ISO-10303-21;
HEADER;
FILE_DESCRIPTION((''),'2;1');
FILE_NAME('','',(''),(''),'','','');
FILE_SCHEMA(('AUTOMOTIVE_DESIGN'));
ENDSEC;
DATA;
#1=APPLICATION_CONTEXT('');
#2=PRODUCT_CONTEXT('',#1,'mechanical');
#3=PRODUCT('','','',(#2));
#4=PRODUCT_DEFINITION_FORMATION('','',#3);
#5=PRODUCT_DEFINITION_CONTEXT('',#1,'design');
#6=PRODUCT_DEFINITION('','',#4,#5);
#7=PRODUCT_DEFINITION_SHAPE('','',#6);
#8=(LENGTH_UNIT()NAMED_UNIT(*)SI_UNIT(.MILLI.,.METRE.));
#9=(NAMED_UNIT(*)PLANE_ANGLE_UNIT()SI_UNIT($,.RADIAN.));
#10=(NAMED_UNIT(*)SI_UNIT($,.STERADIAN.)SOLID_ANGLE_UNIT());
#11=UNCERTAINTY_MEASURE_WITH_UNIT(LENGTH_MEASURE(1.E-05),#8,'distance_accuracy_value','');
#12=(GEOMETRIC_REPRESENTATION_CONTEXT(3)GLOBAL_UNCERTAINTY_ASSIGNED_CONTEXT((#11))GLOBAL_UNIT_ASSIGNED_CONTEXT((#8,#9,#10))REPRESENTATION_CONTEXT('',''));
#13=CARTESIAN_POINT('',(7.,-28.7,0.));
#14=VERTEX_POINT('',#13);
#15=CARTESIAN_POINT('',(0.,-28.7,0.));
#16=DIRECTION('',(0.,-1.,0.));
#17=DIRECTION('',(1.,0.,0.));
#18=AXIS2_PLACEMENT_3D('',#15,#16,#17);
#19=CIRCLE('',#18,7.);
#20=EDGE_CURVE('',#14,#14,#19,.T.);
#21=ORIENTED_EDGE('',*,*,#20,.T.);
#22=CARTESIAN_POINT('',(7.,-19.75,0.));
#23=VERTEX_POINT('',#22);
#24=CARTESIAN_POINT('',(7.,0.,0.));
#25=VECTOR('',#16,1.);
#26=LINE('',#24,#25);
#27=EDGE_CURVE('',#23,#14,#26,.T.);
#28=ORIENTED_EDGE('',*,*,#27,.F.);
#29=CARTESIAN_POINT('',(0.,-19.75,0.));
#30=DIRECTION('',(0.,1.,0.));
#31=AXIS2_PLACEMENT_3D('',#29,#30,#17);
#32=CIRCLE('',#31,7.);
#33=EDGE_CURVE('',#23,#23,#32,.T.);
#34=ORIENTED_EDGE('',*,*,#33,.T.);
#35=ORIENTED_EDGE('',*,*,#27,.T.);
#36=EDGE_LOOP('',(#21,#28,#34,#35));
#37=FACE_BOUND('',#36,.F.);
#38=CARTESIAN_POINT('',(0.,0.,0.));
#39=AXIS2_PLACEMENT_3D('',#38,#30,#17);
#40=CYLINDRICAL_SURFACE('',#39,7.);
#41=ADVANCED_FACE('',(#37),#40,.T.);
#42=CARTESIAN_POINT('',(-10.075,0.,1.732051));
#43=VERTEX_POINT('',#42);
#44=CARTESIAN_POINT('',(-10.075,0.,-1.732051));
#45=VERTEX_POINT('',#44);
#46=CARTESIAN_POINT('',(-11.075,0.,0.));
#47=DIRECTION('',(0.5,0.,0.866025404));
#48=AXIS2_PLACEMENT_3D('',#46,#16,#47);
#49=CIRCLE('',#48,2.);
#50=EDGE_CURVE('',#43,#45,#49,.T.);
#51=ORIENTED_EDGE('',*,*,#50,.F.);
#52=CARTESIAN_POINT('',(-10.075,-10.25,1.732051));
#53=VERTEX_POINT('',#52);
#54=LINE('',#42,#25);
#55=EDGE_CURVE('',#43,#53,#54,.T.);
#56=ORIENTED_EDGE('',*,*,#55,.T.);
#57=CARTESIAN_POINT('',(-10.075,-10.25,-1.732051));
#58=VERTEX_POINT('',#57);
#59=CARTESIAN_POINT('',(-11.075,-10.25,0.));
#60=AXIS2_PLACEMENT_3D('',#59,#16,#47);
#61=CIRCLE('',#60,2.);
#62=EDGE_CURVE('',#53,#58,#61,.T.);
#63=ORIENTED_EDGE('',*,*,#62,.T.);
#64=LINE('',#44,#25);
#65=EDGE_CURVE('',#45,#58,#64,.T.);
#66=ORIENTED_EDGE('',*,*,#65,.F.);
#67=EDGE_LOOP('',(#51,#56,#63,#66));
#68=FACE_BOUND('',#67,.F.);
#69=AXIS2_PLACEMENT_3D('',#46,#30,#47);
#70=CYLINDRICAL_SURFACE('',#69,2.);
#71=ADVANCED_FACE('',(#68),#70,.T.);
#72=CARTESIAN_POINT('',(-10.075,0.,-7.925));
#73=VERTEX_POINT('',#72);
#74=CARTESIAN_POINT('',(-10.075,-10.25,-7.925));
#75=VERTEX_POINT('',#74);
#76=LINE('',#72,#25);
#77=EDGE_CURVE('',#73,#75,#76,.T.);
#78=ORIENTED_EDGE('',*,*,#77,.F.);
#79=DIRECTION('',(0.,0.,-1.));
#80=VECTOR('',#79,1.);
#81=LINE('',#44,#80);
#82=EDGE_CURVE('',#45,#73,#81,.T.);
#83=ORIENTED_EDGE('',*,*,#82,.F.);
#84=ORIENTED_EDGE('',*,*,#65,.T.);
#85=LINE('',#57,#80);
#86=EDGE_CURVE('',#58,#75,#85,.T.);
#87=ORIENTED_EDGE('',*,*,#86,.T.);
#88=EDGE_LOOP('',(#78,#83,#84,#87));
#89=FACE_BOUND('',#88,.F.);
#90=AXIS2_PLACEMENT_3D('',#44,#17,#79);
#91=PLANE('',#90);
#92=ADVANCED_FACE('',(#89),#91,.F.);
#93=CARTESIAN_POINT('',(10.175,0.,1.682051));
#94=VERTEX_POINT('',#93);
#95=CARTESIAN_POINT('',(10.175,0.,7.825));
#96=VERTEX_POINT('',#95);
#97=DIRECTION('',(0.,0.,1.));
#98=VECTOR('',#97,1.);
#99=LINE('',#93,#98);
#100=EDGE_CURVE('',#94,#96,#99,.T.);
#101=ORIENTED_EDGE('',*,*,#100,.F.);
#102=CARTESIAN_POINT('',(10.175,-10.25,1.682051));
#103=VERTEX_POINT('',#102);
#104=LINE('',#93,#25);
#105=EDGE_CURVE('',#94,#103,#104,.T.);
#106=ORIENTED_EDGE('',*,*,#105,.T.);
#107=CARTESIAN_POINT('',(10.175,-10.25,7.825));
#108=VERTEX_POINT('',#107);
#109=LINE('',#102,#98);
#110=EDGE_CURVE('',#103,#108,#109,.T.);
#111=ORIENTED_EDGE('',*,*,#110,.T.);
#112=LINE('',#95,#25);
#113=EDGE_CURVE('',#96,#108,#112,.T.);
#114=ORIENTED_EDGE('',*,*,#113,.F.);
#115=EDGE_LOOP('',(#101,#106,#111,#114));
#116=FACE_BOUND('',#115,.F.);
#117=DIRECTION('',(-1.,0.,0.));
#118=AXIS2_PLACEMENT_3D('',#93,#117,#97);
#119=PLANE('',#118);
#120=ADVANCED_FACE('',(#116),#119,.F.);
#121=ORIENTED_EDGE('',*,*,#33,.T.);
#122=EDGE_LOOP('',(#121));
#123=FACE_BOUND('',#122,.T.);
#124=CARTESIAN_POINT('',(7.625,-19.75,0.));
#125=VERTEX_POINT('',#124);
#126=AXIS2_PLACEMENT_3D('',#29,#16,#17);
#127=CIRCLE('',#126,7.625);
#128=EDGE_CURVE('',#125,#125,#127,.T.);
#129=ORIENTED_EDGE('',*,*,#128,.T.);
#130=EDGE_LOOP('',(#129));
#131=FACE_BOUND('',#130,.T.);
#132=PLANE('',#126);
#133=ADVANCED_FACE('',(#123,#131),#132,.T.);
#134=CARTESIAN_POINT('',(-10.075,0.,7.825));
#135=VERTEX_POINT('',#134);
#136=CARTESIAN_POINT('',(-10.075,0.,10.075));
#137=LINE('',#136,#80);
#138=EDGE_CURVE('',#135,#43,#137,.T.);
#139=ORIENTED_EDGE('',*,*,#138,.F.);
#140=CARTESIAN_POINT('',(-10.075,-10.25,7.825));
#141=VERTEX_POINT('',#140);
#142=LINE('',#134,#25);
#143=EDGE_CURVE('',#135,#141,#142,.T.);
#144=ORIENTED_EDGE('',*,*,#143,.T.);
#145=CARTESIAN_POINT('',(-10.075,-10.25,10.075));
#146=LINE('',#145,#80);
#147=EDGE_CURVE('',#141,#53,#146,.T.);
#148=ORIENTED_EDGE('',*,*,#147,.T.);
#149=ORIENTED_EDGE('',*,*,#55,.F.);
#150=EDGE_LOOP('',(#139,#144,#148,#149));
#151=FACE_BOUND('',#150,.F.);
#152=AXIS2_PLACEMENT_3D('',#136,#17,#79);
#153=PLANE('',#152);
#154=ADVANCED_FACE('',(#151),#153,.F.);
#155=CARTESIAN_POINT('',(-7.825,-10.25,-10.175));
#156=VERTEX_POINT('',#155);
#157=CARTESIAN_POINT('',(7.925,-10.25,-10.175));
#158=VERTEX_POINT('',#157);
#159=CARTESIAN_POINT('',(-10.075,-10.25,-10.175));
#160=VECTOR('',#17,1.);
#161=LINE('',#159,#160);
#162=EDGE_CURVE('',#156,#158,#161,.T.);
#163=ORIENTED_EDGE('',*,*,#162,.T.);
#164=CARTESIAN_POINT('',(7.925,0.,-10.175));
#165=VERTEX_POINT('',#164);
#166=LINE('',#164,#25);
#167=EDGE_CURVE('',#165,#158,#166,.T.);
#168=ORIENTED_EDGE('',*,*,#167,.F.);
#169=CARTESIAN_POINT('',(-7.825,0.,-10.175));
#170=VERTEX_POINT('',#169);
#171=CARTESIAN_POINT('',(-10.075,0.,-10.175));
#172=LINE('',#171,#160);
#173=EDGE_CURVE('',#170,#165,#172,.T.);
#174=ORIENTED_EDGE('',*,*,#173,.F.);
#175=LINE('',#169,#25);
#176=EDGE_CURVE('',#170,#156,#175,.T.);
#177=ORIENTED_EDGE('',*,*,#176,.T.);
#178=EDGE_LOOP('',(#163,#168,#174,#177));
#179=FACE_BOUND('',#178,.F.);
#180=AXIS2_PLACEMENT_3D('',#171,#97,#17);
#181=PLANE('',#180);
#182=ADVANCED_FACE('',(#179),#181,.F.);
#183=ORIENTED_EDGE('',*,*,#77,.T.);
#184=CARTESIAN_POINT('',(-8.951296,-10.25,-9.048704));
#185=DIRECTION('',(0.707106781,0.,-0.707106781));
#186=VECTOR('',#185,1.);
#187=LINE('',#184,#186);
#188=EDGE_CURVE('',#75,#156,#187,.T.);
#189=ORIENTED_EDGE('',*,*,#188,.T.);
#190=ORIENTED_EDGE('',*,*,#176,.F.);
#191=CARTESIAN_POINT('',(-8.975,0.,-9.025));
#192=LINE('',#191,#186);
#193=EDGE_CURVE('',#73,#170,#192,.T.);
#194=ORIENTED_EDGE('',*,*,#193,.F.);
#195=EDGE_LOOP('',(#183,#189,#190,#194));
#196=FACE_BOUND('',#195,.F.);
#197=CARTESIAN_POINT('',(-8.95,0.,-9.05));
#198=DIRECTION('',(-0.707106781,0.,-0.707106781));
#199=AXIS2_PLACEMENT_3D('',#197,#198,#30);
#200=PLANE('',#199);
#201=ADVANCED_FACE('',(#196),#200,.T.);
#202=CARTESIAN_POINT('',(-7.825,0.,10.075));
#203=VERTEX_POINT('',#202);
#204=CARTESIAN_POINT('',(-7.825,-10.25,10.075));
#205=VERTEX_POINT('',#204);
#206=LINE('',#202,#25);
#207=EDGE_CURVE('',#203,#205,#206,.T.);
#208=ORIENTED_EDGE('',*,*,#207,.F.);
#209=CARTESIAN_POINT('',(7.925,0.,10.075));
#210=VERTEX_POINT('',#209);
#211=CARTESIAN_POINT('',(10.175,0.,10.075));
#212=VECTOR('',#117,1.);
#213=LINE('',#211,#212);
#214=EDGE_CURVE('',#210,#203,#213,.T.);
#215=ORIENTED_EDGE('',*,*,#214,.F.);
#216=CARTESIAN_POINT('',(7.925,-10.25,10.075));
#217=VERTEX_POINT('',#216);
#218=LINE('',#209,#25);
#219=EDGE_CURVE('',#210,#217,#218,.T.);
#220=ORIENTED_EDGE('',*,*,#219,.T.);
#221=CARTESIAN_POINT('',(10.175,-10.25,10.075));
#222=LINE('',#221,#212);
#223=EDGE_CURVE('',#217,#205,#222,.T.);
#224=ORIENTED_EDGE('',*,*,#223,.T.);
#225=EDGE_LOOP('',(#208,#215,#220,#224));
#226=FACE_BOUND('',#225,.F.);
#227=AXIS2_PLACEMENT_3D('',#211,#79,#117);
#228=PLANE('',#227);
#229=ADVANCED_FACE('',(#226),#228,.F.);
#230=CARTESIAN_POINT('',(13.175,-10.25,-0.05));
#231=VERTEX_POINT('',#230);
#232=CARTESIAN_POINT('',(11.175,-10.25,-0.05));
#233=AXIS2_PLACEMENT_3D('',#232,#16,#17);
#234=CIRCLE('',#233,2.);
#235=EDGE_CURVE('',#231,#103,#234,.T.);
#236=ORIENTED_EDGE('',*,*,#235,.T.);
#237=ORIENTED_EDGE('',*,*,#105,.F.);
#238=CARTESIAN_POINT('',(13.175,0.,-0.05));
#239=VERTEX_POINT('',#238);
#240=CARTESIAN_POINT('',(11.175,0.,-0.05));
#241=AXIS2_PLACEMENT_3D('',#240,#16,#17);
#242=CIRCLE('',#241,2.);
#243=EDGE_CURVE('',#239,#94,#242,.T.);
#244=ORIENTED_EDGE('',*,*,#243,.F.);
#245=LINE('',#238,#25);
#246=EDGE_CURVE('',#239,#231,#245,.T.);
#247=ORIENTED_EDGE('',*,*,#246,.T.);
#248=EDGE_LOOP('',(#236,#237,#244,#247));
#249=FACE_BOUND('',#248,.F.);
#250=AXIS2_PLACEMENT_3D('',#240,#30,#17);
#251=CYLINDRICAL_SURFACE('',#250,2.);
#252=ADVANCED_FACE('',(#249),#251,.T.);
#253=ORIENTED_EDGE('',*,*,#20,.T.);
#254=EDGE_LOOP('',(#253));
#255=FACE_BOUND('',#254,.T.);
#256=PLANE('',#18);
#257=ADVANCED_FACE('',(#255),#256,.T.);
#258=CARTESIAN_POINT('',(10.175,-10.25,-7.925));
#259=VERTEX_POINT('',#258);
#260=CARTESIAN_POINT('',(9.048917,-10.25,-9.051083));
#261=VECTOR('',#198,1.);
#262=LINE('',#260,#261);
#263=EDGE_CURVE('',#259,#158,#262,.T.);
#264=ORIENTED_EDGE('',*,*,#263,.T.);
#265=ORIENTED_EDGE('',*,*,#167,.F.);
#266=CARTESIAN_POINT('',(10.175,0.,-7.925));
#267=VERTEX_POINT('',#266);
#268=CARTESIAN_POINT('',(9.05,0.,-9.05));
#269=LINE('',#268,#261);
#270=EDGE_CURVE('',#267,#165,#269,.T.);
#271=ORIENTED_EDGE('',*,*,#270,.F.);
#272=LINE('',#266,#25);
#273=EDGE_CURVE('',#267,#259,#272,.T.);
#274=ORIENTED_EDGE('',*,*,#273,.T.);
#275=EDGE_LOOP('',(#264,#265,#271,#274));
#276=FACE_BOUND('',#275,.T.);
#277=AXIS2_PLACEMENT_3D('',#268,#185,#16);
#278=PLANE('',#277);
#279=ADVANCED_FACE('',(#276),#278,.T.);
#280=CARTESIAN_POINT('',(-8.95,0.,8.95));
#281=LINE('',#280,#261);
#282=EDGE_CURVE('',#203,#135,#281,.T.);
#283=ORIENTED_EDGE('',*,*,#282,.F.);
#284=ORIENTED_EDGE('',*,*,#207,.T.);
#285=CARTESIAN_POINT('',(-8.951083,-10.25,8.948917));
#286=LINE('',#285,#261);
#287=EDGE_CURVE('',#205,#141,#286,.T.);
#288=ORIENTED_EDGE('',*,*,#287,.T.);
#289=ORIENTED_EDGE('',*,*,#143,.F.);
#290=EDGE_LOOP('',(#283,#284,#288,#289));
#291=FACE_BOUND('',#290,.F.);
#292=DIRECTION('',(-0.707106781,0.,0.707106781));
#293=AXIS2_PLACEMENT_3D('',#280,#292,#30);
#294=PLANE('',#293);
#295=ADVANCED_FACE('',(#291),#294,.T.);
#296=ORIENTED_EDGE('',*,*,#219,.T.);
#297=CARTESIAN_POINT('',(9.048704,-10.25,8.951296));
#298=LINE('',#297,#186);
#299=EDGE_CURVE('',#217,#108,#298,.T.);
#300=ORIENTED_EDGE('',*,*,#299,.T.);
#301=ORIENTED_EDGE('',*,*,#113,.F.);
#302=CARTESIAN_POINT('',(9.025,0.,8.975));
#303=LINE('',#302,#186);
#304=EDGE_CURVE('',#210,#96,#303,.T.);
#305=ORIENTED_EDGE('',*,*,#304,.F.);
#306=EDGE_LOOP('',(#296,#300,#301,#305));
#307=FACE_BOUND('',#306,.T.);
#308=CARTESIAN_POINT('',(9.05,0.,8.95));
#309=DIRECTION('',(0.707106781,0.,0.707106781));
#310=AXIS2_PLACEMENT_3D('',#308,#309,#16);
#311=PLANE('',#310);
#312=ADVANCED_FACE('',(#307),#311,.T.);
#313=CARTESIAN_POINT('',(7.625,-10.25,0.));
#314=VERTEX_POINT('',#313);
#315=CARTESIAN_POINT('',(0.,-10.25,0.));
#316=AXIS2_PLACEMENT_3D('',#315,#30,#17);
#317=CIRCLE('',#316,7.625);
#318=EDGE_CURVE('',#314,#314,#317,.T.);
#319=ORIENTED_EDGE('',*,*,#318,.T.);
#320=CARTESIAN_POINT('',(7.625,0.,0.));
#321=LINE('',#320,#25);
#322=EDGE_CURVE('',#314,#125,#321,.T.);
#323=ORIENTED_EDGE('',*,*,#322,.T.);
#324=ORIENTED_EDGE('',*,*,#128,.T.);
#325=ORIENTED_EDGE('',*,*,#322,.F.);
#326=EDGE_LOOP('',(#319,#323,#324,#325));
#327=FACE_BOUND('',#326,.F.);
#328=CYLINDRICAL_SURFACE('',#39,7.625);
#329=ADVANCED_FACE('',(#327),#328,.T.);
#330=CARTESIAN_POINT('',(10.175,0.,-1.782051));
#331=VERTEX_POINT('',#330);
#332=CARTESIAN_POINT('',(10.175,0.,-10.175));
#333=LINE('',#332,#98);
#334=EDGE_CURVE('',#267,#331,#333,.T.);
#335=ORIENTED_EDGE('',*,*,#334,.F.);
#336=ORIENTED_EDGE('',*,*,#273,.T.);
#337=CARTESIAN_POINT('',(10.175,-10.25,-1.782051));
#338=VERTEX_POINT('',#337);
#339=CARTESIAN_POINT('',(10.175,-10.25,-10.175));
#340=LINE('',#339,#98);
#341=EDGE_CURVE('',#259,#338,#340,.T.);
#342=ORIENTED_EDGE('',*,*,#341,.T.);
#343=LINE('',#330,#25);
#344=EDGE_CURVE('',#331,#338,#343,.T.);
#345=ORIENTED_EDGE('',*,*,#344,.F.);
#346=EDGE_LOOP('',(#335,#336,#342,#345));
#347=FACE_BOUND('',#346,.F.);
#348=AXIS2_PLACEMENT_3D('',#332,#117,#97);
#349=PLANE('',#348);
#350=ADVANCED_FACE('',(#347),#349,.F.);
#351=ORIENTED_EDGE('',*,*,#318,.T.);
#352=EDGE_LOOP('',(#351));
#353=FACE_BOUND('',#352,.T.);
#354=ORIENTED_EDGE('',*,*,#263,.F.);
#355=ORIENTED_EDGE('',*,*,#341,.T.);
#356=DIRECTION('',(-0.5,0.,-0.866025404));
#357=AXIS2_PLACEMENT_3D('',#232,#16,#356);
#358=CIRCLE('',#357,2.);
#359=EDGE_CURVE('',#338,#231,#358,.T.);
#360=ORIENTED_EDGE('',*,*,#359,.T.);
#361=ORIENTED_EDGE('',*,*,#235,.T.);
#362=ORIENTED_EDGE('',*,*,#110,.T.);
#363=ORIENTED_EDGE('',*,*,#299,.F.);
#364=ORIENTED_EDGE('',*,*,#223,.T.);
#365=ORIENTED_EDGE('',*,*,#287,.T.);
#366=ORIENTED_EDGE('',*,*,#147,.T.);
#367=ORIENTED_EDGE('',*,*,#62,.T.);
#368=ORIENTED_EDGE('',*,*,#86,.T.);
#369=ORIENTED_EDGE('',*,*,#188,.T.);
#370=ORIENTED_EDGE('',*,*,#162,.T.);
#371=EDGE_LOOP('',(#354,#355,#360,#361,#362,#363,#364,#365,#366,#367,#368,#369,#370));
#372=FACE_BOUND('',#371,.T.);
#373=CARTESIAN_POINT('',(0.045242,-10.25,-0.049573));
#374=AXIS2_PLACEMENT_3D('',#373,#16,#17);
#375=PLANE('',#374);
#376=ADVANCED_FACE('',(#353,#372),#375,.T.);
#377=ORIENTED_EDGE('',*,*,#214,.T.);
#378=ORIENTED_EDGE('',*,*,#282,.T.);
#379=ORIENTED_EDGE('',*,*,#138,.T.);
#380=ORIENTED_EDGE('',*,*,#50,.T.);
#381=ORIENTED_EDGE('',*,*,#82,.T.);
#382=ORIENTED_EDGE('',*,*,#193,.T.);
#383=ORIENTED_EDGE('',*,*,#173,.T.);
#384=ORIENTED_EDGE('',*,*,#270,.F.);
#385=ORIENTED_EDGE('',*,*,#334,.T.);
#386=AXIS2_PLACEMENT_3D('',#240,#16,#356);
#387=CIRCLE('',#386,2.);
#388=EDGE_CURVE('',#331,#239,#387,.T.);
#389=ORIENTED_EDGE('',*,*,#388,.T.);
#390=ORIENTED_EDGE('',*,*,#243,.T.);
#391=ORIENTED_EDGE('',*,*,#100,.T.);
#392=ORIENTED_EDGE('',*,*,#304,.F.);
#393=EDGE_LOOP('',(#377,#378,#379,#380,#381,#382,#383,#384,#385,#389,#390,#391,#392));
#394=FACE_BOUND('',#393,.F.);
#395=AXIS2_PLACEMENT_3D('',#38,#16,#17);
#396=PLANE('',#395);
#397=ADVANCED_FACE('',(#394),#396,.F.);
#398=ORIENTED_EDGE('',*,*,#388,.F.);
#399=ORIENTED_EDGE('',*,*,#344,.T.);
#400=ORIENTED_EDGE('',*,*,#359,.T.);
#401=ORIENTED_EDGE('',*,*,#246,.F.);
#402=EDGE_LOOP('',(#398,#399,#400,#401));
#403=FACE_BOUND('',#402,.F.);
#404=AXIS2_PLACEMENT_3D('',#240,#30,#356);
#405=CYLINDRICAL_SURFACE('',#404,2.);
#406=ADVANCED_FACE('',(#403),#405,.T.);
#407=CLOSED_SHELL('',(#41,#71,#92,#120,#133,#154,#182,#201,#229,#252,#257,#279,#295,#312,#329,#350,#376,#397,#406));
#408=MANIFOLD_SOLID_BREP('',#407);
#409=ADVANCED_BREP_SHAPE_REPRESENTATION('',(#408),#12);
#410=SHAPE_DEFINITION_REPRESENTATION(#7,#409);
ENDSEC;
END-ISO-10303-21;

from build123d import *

# Parameters (mm, degrees)
F0_R     = 7.625
F0_R_2   = 7
F1_DEPTH = 10.25
F2_DEPTH = 19.75
F3_DEPTH = 28.7
F4_SIZE  = 2.25


with BuildPart() as f1:
    # F0 (on Front) → F1 (new body)
    with BuildSketch(Plane.XZ):
        with BuildLine():
            Line((10.175, 10.075), (-10.075, 10.075))
            Line((-10.075, 10.075), (-10.075, 1.7320508076))
            ThreePointArc((-10.075, 1.7320508076), (-9.3429491924, 1), (-9.075, 0))
            ThreePointArc((-9.075, 0), (-9.3429491924, -1), (-10.075, -1.7320508076))
            Line((-10.075, -1.7320508076), (-10.075, -10.175))
            Line((-10.075, -10.175), (10.175, -10.175))
            Line((10.175, -10.175), (10.175, -1.7820508076))
            ThreePointArc((10.175, -1.7820508076), (9.175, -0.05), (10.175, 1.6820508076))
            Line((10.175, 1.6820508076), (10.175, 10.075))
        make_face()
        Circle(F0_R, mode=Mode.SUBTRACT)
        with BuildLine():
            Line((-10.075, -1.7320508076), (-10.075, 1.7320508076))
            ThreePointArc((-10.075, 1.7320508076), (-13.075, 0), (-10.075, -1.7320508076))
        make_face()
        with BuildLine():
            ThreePointArc((13.175, -0.05), (12.175, 1.6820508076), (10.175, 1.6820508076))
            Line((10.175, 1.6820508076), (10.175, -1.7820508076))
            ThreePointArc((10.175, -1.7820508076), (12.175, -1.7820508076), (13.175, -0.05))
        make_face()
        with BuildLine():
            Line((10.175, -1.7820508076), (10.175, 1.6820508076))
            ThreePointArc((10.175, 1.6820508076), (9.175, -0.05), (10.175, -1.7820508076))
        make_face()
        Circle(F0_R)
        Circle(F0_R_2, mode=Mode.SUBTRACT)
        Circle(F0_R_2)
        with BuildLine():
            ThreePointArc((-9.075, 0), (-9.3429491924, 1), (-10.075, 1.7320508076))
            Line((-10.075, 1.7320508076), (-10.075, -1.7320508076))
            ThreePointArc((-10.075, -1.7320508076), (-9.3429491924, -1), (-9.075, 0))
        make_face()
    extrude(amount=F1_DEPTH)

    # F0 (on Front) → F2 (join)
    with BuildSketch(Plane.XZ):
        Circle(F0_R)
        Circle(F0_R_2, mode=Mode.SUBTRACT)
        Circle(F0_R_2)
    extrude(amount=F2_DEPTH)

    # F0 (on Front) → F3 (join)
    with BuildSketch(Plane.XZ):
        Circle(F0_R_2)
    extrude(amount=F3_DEPTH)

    # F4
    f4_edges = [f1.edges().sort_by_distance(p)[0] for p in [
        (-10.075, -5.125, 10.075),
        (10.175, -5.125, 10.075),
        (10.175, -5.125, -10.175),
        (-10.075, -5.125, -10.175),
    ]]
    chamfer(f4_edges, length=F4_SIZE)


solid = f1.part
